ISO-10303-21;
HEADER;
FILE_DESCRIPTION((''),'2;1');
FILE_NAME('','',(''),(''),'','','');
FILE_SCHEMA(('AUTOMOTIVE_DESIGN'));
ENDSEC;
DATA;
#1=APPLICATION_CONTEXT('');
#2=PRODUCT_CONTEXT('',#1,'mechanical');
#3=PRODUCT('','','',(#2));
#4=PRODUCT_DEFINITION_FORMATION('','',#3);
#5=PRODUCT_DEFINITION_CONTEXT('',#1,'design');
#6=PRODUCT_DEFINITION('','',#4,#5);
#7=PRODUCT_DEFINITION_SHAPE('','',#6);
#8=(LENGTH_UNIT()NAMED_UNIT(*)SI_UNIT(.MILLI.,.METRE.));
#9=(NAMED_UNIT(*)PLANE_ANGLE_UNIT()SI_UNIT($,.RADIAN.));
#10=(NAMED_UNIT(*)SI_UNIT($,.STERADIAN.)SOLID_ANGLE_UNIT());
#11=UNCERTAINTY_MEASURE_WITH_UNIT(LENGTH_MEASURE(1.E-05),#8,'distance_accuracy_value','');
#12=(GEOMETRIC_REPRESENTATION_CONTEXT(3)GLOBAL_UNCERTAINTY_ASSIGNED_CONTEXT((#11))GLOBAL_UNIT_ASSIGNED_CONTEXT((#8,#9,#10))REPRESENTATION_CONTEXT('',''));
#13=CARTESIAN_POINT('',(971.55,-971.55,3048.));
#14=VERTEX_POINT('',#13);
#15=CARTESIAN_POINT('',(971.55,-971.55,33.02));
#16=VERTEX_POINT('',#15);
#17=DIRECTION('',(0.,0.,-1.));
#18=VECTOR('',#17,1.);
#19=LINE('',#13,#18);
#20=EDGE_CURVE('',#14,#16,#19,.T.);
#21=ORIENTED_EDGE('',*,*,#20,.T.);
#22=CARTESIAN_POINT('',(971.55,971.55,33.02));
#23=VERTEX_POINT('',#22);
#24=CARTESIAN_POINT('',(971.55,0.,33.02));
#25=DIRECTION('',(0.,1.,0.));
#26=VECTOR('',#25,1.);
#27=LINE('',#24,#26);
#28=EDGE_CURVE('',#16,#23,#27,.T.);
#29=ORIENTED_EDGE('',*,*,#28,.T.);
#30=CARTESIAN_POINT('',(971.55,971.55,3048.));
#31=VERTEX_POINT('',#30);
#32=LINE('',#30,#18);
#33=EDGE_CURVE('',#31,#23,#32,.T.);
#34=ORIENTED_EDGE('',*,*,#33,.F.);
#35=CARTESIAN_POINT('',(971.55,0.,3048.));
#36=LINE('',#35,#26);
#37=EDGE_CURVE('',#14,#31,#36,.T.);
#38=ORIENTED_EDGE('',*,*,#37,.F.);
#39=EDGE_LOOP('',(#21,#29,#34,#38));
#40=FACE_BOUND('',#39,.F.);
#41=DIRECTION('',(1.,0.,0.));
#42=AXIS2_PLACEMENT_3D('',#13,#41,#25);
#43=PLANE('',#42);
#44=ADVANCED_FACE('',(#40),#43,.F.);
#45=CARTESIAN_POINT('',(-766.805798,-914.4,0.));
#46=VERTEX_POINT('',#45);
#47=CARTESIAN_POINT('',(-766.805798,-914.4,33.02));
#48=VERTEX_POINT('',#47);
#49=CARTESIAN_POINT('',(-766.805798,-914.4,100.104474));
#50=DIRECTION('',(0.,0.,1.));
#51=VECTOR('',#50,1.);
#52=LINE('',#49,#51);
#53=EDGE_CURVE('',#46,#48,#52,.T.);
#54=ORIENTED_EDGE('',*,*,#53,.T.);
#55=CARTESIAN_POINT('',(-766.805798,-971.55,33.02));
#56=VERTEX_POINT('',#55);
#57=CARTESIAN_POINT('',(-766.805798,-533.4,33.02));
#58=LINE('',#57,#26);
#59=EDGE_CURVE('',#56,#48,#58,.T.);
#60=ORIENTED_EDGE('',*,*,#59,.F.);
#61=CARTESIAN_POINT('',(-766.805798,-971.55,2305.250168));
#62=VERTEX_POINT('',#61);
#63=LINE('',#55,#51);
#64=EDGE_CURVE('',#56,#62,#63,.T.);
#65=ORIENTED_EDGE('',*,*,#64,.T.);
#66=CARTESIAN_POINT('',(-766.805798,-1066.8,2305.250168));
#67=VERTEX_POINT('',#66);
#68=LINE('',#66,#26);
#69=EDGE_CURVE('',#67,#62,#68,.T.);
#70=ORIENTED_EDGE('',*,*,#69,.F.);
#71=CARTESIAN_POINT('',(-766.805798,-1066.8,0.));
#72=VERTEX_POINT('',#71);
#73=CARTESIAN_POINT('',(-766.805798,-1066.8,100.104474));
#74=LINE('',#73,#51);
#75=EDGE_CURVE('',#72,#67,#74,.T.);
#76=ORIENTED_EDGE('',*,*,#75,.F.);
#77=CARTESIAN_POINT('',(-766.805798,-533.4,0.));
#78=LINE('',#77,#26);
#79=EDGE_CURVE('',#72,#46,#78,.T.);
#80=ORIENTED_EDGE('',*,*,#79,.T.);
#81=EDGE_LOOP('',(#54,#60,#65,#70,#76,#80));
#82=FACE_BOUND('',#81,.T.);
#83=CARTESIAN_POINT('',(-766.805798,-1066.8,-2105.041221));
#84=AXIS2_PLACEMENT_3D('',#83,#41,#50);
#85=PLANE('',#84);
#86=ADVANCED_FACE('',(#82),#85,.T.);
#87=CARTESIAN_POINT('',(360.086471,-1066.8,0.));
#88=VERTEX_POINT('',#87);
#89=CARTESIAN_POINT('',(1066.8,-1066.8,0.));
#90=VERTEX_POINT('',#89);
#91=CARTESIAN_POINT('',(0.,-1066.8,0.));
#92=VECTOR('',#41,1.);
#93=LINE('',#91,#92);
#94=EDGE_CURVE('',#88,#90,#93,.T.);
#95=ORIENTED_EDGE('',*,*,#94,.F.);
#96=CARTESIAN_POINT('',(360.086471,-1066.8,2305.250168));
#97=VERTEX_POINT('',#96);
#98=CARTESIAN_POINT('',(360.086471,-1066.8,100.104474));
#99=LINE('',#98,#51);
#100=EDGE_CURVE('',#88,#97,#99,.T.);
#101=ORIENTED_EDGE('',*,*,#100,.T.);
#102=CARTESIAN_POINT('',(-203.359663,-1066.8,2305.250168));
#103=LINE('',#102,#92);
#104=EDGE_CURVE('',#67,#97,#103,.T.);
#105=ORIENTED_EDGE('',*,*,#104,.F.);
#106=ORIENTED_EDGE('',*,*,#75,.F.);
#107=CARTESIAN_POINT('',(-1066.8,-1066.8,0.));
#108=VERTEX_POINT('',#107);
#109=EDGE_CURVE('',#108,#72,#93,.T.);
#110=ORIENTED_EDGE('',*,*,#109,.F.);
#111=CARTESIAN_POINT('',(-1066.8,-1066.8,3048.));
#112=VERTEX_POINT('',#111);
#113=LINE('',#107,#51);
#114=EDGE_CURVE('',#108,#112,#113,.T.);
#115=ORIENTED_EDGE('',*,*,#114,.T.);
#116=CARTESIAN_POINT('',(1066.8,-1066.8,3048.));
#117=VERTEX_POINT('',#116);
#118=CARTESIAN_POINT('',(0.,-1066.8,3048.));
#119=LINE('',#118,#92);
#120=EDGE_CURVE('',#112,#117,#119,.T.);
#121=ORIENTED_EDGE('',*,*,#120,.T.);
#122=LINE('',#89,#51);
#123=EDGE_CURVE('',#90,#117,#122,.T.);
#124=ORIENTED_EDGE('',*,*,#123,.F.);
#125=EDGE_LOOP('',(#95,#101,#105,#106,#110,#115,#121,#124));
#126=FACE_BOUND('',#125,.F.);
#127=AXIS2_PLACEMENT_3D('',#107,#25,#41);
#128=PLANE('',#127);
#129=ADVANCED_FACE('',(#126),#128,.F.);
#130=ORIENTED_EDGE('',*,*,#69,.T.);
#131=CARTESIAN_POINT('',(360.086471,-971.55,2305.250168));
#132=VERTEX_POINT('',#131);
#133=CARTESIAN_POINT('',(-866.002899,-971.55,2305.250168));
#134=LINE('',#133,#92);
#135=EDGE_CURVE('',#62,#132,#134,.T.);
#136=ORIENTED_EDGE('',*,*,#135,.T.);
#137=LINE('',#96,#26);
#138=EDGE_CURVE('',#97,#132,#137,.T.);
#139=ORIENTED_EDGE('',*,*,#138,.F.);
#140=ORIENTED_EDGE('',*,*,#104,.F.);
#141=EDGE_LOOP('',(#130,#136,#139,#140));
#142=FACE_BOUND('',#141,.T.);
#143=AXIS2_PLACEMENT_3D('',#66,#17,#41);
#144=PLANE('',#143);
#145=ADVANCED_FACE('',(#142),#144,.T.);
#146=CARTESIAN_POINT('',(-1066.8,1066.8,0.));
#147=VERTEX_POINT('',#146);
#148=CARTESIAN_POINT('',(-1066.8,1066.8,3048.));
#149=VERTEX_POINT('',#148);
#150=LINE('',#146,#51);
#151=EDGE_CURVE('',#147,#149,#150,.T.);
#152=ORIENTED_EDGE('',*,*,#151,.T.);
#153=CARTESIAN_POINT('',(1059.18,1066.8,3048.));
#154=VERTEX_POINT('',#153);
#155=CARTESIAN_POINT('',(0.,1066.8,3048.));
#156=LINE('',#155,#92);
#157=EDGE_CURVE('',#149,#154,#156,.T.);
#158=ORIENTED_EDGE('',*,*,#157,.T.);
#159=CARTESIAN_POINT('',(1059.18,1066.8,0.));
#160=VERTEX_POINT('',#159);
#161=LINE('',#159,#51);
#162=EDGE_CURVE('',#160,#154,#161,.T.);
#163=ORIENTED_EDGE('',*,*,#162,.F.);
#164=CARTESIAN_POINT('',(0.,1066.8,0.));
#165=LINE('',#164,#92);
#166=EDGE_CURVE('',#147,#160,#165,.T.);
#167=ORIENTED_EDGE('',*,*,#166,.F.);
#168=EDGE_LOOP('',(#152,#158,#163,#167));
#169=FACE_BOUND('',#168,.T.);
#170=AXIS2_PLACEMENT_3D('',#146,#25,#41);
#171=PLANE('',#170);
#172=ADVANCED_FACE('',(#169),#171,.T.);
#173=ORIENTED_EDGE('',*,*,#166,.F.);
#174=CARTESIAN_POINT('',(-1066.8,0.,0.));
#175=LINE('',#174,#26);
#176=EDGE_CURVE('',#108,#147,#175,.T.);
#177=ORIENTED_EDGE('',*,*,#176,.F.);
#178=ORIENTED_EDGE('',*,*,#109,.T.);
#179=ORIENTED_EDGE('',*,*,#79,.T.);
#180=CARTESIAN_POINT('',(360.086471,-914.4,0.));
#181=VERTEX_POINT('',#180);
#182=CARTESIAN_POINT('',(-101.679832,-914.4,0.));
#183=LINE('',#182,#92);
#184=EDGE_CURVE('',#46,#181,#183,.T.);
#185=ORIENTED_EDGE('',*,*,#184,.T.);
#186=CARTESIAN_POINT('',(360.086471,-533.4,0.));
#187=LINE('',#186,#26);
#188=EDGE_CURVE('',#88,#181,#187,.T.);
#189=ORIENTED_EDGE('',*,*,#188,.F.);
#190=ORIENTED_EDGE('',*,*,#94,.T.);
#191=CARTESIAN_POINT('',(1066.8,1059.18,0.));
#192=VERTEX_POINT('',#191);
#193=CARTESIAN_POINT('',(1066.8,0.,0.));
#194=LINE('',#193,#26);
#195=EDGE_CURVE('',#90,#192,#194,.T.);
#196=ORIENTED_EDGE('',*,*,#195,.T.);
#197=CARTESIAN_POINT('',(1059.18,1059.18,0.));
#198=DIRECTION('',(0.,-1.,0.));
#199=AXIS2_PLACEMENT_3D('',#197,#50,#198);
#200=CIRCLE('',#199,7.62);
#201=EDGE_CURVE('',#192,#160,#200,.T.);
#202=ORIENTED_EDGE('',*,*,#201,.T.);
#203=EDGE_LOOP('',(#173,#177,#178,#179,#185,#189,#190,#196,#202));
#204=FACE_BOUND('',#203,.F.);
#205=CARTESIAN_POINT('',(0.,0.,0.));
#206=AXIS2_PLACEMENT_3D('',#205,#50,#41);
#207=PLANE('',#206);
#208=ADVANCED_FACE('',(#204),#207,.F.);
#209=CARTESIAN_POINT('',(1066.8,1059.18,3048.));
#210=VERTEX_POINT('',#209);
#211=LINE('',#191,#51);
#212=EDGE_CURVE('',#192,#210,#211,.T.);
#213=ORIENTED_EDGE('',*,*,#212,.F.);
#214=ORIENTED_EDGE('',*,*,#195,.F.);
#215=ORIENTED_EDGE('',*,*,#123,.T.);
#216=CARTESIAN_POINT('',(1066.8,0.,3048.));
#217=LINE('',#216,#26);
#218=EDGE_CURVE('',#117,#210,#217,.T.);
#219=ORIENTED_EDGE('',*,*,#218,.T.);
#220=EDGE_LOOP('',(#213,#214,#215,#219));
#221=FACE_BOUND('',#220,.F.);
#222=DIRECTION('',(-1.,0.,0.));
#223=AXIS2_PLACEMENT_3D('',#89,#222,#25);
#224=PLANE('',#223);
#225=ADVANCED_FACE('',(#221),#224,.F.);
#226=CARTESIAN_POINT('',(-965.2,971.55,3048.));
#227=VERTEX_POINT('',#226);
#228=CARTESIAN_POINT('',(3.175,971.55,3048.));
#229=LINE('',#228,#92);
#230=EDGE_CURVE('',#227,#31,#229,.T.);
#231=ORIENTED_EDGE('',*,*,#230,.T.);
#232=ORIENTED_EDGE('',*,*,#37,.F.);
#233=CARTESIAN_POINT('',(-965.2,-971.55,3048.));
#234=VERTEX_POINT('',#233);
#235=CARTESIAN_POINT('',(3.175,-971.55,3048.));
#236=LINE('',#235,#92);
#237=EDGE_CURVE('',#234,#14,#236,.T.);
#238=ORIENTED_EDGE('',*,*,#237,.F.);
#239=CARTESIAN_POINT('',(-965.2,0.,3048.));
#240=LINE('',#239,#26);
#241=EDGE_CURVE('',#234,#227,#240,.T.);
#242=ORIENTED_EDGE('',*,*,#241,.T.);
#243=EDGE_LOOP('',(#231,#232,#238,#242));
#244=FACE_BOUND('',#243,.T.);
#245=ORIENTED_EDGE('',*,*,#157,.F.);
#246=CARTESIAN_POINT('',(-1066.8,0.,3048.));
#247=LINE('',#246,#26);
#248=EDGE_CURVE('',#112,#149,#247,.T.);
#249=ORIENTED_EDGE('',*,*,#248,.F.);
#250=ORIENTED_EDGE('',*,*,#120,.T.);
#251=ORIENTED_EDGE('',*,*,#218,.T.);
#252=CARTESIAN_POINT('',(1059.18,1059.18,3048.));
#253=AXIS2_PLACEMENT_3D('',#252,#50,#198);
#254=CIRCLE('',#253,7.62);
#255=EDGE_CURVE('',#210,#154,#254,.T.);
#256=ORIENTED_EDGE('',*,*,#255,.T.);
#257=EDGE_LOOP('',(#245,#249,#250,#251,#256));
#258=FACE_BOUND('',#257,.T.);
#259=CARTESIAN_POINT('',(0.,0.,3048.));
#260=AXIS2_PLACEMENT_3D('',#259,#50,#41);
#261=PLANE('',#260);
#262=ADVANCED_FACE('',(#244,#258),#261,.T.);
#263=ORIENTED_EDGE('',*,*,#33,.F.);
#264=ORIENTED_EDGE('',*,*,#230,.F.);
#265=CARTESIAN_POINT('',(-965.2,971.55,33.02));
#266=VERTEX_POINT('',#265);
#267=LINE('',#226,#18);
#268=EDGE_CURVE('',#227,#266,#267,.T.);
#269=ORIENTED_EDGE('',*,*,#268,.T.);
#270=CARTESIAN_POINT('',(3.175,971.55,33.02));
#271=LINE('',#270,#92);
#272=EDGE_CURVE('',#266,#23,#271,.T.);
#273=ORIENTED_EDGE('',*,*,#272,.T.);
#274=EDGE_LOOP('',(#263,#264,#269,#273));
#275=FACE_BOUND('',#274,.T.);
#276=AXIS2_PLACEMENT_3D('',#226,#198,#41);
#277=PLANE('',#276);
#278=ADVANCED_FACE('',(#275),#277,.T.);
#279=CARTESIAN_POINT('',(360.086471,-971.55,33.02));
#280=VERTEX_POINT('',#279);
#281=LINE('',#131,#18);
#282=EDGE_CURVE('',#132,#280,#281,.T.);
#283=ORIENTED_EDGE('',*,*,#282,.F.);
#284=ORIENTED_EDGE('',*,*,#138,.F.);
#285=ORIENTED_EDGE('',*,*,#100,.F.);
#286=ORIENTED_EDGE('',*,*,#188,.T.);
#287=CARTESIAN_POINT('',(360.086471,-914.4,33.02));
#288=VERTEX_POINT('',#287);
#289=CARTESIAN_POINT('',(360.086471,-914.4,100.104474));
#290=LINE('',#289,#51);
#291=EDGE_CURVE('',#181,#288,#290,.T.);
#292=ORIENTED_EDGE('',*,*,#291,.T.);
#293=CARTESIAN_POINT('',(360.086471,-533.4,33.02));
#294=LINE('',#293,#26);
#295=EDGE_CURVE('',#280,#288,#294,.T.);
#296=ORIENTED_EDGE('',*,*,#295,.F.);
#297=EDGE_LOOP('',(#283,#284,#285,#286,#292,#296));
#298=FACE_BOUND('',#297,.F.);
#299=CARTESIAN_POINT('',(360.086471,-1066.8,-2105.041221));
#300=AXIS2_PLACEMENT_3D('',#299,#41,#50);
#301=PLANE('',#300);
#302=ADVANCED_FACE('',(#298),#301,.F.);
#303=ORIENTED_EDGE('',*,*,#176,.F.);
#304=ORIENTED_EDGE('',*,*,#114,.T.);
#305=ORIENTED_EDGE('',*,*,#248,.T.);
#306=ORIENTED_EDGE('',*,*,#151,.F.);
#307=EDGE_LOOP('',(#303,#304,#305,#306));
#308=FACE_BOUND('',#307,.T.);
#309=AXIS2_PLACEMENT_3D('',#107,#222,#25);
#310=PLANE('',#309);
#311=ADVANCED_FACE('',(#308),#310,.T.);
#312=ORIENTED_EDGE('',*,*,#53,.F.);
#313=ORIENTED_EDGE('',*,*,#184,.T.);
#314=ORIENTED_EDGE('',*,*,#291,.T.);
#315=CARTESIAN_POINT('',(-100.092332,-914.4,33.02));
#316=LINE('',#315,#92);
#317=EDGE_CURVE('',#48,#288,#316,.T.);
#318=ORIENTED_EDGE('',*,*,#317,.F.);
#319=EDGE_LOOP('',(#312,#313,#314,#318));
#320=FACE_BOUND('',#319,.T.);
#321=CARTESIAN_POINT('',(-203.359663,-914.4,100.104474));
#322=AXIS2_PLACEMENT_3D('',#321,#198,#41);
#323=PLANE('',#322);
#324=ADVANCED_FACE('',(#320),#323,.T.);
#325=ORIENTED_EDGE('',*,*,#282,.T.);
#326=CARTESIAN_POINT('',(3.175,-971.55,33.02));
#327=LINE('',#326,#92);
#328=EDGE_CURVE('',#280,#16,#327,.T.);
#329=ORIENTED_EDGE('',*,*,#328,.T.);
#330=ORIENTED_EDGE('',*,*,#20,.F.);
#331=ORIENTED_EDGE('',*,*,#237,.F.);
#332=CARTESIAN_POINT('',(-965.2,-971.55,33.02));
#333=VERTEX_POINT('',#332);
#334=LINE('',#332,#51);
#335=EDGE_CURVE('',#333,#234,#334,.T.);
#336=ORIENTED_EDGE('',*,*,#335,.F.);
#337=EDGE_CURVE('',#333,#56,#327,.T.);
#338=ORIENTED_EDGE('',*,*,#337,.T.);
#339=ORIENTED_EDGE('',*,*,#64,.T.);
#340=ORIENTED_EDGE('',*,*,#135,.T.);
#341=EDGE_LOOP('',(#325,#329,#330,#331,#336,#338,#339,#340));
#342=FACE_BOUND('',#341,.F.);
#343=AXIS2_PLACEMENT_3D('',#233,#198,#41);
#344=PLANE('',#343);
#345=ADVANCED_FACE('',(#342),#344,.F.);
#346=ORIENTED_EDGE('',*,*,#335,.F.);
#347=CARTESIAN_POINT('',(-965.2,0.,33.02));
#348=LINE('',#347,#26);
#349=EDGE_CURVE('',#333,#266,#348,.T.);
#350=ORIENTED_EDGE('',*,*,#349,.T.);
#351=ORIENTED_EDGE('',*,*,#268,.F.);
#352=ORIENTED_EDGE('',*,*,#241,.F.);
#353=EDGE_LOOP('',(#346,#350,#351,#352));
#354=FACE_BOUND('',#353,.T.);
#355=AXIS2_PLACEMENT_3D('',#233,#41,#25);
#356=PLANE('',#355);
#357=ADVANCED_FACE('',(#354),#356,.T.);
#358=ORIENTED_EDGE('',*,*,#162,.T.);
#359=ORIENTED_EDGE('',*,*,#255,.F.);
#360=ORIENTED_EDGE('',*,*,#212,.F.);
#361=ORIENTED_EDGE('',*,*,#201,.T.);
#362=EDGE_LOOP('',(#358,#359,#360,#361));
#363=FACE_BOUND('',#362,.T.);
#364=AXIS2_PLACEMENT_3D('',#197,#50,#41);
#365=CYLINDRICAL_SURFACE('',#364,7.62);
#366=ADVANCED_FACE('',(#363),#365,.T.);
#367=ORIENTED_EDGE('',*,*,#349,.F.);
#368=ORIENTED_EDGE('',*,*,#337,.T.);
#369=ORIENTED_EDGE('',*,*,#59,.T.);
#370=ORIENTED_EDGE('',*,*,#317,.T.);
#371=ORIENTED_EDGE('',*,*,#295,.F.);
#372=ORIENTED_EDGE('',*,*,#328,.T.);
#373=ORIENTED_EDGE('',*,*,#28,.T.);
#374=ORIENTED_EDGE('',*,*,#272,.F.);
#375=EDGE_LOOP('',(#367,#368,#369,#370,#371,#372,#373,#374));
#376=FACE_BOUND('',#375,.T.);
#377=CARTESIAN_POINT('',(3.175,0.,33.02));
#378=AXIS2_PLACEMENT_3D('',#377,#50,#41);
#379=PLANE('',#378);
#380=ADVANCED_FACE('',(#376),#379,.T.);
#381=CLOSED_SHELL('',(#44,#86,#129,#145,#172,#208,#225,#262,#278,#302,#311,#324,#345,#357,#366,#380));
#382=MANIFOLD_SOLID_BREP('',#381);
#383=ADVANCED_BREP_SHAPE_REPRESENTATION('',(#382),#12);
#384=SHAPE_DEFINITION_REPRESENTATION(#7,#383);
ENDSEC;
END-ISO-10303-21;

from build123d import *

# Parameters (mm, degrees)
F0_W     = 2133.6
F0_H     = 2133.6
F1_DEPTH = 3048
F2_W     = 1936.75
F2_H     = 1943.1
F3_DEPTH = 2590.8
F4_W     = 1126.8922686577
F4_H     = 4410.2913886309
F5_DEPTH = 152.4
F6_DEPTH = 424.18
F7_R     = 7.62


with BuildPart() as f1:
    # F0 (on Top) → F1 (new body)
    with BuildSketch(Plane.XY):
        Rectangle(F0_W, F0_H)
    extrude(amount=F1_DEPTH)

    # F2 (on face) → F3 (cut)
    with BuildSketch(Plane.XY.offset(3048)):
        with Locations((3.175, 0)):
            Rectangle(F2_W, F2_H)
    extrude(amount=-F3_DEPTH, mode=Mode.SUBTRACT)

    # F4 (on face) → F5 (cut)
    with BuildSketch(Plane.XZ.offset(1066.8)):
        with Locations((-203.3596634865, 100.1044735312)):
            Rectangle(F4_W, F4_H)
    extrude(amount=-F5_DEPTH, mode=Mode.SUBTRACT)

    # F6 (cut): a face of the model
    f6_faces = [f1.faces().sort_by_distance(p)[0] for p in [
        (6.7709971894, 16.4182389166, 457.2),
    ]]
    extrude(f6_faces, amount=-F6_DEPTH, mode=Mode.SUBTRACT)

    # F7
    f7_edges = [f1.edges().sort_by_distance(p)[0] for p in [
        (1066.8, 1066.8, 1524),
    ]]
    fillet(f7_edges, radius=F7_R)


solid = f1.part
